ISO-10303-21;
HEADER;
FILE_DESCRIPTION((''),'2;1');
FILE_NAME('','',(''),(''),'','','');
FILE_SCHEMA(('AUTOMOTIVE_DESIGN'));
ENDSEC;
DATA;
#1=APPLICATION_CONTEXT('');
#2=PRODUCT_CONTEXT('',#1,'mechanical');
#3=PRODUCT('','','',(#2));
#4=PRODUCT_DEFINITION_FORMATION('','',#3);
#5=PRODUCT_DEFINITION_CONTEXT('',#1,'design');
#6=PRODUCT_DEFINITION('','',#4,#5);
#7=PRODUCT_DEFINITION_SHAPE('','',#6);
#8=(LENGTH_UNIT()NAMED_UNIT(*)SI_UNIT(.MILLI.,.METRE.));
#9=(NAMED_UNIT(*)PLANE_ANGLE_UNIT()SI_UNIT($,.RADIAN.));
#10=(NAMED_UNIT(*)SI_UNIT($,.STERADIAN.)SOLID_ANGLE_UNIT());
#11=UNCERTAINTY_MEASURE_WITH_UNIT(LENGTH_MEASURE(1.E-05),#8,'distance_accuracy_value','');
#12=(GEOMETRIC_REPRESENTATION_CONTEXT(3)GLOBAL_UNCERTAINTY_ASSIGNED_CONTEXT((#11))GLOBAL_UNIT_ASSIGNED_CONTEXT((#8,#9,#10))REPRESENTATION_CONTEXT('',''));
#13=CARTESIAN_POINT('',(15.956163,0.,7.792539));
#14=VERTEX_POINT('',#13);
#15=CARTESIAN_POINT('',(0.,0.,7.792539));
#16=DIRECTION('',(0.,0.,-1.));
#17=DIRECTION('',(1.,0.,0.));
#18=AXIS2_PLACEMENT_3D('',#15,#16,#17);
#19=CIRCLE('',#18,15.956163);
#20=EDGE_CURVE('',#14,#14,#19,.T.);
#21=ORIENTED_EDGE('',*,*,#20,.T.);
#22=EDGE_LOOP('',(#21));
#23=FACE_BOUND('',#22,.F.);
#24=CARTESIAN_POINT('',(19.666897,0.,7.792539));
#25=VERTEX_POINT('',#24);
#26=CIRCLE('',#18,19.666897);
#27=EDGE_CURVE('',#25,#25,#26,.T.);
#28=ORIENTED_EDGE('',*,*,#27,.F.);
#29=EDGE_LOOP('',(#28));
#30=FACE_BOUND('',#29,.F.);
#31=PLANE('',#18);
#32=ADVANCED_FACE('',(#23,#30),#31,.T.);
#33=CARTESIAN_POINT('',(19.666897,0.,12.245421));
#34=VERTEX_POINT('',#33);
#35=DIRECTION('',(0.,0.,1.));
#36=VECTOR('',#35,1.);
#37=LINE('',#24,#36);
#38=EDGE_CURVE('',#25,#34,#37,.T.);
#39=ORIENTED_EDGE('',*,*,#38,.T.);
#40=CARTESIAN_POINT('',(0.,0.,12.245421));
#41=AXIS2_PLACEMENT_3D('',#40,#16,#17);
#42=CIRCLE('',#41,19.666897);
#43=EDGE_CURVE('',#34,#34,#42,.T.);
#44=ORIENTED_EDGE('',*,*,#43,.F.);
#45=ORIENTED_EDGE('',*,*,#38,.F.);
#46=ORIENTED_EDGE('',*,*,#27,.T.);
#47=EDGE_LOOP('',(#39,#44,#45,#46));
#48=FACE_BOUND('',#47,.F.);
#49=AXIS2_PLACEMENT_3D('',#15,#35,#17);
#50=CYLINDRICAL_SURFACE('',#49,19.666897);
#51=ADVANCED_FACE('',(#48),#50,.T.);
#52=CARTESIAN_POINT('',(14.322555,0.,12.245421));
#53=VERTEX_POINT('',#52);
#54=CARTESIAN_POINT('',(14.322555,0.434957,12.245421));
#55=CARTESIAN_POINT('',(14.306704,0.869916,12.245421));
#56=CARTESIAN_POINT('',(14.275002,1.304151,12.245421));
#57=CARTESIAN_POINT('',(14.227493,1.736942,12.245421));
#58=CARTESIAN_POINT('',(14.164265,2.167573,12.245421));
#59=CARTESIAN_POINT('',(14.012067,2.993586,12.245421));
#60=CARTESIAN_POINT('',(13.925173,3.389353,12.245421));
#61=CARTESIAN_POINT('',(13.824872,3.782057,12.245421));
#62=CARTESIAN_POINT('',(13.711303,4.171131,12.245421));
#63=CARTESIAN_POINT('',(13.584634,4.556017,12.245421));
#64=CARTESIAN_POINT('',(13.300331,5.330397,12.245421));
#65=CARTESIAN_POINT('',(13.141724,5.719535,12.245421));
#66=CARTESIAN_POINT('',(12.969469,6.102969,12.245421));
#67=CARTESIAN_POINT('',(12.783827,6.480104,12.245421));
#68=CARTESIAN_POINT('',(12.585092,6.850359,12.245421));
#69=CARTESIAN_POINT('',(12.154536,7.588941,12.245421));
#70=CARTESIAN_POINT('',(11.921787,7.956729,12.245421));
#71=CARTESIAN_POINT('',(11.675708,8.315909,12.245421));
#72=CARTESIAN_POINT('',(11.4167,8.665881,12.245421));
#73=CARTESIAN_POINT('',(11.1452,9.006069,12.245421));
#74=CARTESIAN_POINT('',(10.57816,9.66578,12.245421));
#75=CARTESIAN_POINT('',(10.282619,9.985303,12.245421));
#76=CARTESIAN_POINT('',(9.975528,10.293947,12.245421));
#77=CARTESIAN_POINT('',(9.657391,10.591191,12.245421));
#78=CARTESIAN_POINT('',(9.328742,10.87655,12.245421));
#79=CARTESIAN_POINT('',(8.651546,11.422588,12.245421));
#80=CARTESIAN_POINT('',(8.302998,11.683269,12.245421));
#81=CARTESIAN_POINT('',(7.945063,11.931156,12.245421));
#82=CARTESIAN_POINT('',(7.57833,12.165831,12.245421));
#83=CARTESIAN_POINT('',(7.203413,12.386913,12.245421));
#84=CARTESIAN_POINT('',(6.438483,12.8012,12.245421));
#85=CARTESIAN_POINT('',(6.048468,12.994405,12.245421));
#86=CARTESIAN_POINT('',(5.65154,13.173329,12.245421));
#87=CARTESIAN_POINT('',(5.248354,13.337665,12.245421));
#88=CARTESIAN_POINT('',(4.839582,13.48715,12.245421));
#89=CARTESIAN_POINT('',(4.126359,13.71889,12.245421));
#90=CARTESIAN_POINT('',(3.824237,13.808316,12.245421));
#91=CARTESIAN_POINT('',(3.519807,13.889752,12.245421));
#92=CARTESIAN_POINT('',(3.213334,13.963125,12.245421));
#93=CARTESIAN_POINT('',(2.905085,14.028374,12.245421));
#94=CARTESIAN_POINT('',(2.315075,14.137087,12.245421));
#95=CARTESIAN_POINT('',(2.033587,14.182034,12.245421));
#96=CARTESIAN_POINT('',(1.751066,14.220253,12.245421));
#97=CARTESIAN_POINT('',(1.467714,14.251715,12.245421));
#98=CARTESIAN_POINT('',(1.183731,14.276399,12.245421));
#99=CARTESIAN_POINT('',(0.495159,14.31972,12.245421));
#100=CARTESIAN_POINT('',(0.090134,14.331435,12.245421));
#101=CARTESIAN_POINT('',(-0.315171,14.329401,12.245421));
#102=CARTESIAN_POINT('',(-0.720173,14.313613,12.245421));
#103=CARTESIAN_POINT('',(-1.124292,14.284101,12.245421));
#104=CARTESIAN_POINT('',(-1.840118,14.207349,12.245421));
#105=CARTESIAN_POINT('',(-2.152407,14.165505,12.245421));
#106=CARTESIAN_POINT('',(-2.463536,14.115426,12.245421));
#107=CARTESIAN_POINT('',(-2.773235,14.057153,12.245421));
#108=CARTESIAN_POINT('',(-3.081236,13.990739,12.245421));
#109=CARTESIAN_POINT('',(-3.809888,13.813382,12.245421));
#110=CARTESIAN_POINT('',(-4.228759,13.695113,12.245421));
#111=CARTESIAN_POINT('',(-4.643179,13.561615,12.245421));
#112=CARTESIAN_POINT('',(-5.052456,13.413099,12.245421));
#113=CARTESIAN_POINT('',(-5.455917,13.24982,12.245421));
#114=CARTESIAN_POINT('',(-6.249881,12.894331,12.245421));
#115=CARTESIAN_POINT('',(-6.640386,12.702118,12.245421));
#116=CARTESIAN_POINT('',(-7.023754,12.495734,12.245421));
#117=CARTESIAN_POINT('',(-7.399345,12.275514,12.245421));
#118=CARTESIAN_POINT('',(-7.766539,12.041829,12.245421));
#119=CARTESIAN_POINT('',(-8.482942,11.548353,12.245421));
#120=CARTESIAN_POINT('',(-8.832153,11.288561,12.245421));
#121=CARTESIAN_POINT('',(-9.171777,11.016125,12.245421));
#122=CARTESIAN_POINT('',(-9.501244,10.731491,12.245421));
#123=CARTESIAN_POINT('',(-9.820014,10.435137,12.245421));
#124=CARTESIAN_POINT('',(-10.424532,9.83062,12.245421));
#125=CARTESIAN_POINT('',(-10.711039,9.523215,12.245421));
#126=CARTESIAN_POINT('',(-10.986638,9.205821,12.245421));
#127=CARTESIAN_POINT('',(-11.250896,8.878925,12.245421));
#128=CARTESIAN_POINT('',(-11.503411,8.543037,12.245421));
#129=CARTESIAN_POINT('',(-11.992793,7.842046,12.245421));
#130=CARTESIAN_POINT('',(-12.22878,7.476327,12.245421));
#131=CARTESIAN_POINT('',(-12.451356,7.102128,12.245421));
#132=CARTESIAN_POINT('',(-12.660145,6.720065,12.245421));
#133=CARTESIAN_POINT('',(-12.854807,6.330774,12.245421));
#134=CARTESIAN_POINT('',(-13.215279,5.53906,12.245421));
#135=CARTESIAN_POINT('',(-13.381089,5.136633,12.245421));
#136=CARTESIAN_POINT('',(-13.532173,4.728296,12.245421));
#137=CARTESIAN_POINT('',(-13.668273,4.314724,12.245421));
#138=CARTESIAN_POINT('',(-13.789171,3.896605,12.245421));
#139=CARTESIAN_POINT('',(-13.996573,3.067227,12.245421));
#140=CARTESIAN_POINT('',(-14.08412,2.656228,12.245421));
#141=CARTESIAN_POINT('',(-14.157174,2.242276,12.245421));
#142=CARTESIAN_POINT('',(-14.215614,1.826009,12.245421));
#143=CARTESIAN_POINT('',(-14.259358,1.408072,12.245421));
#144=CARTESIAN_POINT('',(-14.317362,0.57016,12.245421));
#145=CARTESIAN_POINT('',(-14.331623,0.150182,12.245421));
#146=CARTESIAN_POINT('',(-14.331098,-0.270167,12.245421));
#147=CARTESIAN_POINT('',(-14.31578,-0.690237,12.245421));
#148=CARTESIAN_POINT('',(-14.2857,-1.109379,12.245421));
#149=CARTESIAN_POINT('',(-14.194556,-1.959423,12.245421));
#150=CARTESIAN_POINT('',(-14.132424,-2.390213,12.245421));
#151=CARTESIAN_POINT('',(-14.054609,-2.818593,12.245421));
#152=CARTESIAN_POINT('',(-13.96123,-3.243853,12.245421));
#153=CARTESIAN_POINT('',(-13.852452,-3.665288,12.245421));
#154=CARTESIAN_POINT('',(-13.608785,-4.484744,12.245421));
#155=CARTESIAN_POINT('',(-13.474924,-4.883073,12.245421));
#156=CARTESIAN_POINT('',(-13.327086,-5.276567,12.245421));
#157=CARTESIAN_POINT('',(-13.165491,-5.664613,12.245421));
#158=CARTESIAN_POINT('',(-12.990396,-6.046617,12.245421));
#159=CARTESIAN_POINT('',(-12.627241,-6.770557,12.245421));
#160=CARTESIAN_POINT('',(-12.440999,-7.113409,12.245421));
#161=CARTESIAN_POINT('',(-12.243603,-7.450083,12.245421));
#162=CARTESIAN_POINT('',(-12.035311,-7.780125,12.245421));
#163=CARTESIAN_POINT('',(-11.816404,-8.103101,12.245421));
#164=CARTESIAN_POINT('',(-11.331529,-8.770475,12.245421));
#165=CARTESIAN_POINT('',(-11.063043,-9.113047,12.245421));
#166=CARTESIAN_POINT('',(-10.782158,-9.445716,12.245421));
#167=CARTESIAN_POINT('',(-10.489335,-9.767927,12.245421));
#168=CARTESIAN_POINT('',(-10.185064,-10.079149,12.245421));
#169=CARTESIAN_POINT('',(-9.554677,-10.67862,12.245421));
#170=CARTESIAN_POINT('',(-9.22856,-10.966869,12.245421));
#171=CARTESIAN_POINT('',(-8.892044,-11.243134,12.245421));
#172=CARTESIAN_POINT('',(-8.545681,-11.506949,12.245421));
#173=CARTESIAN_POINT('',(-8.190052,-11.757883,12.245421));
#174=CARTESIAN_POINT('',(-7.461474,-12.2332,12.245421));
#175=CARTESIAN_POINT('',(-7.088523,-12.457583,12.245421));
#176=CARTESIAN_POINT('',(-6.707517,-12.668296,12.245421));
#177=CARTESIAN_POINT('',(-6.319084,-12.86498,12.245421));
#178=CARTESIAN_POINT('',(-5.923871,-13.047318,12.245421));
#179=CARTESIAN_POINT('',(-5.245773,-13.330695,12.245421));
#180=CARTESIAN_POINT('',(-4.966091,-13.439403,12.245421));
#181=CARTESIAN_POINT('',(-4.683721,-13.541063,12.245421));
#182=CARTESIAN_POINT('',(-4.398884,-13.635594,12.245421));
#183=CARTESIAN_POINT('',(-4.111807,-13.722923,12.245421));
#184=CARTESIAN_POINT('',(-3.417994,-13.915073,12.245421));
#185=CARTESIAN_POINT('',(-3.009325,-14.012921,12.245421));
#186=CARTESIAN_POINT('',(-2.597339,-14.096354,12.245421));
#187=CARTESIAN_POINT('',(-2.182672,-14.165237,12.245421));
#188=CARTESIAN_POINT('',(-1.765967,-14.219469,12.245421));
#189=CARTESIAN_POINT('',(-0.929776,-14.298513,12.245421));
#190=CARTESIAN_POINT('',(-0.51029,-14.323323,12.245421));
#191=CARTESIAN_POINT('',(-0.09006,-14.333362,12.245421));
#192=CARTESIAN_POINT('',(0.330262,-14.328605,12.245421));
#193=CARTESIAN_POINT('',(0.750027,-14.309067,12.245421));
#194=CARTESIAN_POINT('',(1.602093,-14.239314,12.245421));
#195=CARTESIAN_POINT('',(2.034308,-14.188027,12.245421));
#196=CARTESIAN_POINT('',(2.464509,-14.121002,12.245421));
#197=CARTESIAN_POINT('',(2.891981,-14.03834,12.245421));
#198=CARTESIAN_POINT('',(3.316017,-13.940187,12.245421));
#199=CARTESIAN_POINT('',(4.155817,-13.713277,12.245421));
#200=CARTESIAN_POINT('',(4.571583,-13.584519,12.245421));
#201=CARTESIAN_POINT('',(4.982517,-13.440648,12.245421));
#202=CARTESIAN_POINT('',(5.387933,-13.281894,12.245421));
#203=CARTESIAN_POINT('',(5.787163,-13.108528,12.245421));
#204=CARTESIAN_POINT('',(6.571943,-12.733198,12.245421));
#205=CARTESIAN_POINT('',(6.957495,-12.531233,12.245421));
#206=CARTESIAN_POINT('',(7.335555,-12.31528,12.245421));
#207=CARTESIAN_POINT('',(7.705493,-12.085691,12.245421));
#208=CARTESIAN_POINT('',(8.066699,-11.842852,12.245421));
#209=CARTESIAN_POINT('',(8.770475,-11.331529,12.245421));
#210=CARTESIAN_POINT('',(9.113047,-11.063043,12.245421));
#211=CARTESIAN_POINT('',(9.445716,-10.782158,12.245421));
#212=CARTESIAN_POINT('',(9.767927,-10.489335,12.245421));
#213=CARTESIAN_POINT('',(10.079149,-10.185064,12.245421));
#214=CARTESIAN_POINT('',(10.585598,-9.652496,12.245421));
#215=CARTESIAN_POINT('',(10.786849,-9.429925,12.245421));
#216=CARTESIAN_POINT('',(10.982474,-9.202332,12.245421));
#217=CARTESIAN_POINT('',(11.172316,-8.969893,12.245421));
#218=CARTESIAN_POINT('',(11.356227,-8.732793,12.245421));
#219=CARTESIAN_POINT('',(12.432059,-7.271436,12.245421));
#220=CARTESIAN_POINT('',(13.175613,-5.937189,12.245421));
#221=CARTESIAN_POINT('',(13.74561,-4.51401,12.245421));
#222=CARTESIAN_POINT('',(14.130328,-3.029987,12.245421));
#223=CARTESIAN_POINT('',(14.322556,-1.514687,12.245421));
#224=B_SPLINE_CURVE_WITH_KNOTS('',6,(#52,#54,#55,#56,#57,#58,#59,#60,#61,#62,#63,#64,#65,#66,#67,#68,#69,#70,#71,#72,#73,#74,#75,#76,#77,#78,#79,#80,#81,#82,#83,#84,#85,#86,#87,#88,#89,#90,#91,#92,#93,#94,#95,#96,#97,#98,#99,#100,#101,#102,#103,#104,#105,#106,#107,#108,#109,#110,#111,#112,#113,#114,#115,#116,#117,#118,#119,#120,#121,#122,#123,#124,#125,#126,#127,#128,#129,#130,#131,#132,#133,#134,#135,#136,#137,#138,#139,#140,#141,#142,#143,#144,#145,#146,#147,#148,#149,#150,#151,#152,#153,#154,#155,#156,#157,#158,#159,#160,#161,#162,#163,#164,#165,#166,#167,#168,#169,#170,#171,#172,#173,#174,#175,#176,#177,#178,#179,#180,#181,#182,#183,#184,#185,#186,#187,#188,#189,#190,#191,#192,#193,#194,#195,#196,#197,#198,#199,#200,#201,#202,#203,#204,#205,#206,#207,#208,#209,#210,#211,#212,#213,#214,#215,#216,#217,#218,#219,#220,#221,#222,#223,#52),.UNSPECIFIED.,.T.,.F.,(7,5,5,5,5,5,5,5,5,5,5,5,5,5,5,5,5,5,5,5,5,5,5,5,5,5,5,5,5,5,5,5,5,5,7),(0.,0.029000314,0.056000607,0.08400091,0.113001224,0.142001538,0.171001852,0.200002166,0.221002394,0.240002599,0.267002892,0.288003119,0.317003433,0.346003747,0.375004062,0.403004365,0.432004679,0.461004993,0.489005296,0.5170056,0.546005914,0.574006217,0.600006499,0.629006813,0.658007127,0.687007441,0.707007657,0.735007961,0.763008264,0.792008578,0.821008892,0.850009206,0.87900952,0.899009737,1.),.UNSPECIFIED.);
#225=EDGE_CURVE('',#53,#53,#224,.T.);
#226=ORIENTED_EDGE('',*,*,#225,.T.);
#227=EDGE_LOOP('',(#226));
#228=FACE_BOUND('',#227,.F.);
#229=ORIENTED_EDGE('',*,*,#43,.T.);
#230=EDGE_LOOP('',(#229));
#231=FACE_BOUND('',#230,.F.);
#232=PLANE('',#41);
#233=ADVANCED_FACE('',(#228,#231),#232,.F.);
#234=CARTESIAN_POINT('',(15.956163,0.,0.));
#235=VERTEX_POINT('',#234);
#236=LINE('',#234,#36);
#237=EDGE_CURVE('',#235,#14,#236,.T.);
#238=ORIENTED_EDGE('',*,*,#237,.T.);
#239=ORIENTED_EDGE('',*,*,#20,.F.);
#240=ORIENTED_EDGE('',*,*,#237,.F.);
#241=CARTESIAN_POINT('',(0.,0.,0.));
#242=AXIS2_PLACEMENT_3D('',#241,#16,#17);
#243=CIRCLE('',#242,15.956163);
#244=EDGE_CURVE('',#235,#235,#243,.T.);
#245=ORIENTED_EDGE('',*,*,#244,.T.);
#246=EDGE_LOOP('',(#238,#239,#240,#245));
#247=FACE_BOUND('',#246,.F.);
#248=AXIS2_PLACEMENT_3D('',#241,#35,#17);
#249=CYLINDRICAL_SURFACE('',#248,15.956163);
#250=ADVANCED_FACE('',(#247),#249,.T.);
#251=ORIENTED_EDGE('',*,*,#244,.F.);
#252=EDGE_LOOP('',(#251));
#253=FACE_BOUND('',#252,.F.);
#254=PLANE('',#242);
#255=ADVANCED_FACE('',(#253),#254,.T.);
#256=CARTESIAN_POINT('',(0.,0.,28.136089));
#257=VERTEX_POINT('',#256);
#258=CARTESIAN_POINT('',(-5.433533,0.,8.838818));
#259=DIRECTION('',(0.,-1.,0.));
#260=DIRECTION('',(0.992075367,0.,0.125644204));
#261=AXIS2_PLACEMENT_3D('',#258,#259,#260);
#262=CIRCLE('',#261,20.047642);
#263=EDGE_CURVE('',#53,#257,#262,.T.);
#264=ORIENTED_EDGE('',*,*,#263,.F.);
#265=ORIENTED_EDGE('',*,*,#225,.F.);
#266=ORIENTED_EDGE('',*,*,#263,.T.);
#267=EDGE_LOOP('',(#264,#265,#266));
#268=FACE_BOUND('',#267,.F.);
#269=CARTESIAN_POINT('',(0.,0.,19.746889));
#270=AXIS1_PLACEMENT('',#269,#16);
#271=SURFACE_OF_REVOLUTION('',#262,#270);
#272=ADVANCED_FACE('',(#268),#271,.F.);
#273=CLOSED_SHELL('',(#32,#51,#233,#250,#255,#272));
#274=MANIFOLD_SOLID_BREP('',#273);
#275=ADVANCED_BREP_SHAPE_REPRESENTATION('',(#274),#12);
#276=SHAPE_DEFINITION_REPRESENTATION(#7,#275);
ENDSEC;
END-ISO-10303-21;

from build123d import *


with BuildPart() as f1:
    # F0 (on Front) → F1 (revolve)
    with BuildSketch(Plane.XZ):
        Polygon((0, 12.245421), (0, 0), (15.956163, 0), (15.956163, 7.792539), (19.666897, 7.792539), (19.666897, 12.245421), align=None)
    revolve(axis=Axis((0, 0, 6.122711), (0, 0, -1)))

    # F2 (on Front) → F3 (revolve)
    with BuildSketch(Plane.XZ):
        with BuildLine():
            Line((0, 11.357688), (14.455239, 11.357688))
            ThreePointArc((14.455239, 11.357688), (9.754734, 21.924096), (0, 28.136089))
            Line((0, 28.136089), (0, 11.357688))
        make_face()
    revolve(axis=Axis((0, 0, 19.746889), (0, 0, -1)))


solid = f1.part
